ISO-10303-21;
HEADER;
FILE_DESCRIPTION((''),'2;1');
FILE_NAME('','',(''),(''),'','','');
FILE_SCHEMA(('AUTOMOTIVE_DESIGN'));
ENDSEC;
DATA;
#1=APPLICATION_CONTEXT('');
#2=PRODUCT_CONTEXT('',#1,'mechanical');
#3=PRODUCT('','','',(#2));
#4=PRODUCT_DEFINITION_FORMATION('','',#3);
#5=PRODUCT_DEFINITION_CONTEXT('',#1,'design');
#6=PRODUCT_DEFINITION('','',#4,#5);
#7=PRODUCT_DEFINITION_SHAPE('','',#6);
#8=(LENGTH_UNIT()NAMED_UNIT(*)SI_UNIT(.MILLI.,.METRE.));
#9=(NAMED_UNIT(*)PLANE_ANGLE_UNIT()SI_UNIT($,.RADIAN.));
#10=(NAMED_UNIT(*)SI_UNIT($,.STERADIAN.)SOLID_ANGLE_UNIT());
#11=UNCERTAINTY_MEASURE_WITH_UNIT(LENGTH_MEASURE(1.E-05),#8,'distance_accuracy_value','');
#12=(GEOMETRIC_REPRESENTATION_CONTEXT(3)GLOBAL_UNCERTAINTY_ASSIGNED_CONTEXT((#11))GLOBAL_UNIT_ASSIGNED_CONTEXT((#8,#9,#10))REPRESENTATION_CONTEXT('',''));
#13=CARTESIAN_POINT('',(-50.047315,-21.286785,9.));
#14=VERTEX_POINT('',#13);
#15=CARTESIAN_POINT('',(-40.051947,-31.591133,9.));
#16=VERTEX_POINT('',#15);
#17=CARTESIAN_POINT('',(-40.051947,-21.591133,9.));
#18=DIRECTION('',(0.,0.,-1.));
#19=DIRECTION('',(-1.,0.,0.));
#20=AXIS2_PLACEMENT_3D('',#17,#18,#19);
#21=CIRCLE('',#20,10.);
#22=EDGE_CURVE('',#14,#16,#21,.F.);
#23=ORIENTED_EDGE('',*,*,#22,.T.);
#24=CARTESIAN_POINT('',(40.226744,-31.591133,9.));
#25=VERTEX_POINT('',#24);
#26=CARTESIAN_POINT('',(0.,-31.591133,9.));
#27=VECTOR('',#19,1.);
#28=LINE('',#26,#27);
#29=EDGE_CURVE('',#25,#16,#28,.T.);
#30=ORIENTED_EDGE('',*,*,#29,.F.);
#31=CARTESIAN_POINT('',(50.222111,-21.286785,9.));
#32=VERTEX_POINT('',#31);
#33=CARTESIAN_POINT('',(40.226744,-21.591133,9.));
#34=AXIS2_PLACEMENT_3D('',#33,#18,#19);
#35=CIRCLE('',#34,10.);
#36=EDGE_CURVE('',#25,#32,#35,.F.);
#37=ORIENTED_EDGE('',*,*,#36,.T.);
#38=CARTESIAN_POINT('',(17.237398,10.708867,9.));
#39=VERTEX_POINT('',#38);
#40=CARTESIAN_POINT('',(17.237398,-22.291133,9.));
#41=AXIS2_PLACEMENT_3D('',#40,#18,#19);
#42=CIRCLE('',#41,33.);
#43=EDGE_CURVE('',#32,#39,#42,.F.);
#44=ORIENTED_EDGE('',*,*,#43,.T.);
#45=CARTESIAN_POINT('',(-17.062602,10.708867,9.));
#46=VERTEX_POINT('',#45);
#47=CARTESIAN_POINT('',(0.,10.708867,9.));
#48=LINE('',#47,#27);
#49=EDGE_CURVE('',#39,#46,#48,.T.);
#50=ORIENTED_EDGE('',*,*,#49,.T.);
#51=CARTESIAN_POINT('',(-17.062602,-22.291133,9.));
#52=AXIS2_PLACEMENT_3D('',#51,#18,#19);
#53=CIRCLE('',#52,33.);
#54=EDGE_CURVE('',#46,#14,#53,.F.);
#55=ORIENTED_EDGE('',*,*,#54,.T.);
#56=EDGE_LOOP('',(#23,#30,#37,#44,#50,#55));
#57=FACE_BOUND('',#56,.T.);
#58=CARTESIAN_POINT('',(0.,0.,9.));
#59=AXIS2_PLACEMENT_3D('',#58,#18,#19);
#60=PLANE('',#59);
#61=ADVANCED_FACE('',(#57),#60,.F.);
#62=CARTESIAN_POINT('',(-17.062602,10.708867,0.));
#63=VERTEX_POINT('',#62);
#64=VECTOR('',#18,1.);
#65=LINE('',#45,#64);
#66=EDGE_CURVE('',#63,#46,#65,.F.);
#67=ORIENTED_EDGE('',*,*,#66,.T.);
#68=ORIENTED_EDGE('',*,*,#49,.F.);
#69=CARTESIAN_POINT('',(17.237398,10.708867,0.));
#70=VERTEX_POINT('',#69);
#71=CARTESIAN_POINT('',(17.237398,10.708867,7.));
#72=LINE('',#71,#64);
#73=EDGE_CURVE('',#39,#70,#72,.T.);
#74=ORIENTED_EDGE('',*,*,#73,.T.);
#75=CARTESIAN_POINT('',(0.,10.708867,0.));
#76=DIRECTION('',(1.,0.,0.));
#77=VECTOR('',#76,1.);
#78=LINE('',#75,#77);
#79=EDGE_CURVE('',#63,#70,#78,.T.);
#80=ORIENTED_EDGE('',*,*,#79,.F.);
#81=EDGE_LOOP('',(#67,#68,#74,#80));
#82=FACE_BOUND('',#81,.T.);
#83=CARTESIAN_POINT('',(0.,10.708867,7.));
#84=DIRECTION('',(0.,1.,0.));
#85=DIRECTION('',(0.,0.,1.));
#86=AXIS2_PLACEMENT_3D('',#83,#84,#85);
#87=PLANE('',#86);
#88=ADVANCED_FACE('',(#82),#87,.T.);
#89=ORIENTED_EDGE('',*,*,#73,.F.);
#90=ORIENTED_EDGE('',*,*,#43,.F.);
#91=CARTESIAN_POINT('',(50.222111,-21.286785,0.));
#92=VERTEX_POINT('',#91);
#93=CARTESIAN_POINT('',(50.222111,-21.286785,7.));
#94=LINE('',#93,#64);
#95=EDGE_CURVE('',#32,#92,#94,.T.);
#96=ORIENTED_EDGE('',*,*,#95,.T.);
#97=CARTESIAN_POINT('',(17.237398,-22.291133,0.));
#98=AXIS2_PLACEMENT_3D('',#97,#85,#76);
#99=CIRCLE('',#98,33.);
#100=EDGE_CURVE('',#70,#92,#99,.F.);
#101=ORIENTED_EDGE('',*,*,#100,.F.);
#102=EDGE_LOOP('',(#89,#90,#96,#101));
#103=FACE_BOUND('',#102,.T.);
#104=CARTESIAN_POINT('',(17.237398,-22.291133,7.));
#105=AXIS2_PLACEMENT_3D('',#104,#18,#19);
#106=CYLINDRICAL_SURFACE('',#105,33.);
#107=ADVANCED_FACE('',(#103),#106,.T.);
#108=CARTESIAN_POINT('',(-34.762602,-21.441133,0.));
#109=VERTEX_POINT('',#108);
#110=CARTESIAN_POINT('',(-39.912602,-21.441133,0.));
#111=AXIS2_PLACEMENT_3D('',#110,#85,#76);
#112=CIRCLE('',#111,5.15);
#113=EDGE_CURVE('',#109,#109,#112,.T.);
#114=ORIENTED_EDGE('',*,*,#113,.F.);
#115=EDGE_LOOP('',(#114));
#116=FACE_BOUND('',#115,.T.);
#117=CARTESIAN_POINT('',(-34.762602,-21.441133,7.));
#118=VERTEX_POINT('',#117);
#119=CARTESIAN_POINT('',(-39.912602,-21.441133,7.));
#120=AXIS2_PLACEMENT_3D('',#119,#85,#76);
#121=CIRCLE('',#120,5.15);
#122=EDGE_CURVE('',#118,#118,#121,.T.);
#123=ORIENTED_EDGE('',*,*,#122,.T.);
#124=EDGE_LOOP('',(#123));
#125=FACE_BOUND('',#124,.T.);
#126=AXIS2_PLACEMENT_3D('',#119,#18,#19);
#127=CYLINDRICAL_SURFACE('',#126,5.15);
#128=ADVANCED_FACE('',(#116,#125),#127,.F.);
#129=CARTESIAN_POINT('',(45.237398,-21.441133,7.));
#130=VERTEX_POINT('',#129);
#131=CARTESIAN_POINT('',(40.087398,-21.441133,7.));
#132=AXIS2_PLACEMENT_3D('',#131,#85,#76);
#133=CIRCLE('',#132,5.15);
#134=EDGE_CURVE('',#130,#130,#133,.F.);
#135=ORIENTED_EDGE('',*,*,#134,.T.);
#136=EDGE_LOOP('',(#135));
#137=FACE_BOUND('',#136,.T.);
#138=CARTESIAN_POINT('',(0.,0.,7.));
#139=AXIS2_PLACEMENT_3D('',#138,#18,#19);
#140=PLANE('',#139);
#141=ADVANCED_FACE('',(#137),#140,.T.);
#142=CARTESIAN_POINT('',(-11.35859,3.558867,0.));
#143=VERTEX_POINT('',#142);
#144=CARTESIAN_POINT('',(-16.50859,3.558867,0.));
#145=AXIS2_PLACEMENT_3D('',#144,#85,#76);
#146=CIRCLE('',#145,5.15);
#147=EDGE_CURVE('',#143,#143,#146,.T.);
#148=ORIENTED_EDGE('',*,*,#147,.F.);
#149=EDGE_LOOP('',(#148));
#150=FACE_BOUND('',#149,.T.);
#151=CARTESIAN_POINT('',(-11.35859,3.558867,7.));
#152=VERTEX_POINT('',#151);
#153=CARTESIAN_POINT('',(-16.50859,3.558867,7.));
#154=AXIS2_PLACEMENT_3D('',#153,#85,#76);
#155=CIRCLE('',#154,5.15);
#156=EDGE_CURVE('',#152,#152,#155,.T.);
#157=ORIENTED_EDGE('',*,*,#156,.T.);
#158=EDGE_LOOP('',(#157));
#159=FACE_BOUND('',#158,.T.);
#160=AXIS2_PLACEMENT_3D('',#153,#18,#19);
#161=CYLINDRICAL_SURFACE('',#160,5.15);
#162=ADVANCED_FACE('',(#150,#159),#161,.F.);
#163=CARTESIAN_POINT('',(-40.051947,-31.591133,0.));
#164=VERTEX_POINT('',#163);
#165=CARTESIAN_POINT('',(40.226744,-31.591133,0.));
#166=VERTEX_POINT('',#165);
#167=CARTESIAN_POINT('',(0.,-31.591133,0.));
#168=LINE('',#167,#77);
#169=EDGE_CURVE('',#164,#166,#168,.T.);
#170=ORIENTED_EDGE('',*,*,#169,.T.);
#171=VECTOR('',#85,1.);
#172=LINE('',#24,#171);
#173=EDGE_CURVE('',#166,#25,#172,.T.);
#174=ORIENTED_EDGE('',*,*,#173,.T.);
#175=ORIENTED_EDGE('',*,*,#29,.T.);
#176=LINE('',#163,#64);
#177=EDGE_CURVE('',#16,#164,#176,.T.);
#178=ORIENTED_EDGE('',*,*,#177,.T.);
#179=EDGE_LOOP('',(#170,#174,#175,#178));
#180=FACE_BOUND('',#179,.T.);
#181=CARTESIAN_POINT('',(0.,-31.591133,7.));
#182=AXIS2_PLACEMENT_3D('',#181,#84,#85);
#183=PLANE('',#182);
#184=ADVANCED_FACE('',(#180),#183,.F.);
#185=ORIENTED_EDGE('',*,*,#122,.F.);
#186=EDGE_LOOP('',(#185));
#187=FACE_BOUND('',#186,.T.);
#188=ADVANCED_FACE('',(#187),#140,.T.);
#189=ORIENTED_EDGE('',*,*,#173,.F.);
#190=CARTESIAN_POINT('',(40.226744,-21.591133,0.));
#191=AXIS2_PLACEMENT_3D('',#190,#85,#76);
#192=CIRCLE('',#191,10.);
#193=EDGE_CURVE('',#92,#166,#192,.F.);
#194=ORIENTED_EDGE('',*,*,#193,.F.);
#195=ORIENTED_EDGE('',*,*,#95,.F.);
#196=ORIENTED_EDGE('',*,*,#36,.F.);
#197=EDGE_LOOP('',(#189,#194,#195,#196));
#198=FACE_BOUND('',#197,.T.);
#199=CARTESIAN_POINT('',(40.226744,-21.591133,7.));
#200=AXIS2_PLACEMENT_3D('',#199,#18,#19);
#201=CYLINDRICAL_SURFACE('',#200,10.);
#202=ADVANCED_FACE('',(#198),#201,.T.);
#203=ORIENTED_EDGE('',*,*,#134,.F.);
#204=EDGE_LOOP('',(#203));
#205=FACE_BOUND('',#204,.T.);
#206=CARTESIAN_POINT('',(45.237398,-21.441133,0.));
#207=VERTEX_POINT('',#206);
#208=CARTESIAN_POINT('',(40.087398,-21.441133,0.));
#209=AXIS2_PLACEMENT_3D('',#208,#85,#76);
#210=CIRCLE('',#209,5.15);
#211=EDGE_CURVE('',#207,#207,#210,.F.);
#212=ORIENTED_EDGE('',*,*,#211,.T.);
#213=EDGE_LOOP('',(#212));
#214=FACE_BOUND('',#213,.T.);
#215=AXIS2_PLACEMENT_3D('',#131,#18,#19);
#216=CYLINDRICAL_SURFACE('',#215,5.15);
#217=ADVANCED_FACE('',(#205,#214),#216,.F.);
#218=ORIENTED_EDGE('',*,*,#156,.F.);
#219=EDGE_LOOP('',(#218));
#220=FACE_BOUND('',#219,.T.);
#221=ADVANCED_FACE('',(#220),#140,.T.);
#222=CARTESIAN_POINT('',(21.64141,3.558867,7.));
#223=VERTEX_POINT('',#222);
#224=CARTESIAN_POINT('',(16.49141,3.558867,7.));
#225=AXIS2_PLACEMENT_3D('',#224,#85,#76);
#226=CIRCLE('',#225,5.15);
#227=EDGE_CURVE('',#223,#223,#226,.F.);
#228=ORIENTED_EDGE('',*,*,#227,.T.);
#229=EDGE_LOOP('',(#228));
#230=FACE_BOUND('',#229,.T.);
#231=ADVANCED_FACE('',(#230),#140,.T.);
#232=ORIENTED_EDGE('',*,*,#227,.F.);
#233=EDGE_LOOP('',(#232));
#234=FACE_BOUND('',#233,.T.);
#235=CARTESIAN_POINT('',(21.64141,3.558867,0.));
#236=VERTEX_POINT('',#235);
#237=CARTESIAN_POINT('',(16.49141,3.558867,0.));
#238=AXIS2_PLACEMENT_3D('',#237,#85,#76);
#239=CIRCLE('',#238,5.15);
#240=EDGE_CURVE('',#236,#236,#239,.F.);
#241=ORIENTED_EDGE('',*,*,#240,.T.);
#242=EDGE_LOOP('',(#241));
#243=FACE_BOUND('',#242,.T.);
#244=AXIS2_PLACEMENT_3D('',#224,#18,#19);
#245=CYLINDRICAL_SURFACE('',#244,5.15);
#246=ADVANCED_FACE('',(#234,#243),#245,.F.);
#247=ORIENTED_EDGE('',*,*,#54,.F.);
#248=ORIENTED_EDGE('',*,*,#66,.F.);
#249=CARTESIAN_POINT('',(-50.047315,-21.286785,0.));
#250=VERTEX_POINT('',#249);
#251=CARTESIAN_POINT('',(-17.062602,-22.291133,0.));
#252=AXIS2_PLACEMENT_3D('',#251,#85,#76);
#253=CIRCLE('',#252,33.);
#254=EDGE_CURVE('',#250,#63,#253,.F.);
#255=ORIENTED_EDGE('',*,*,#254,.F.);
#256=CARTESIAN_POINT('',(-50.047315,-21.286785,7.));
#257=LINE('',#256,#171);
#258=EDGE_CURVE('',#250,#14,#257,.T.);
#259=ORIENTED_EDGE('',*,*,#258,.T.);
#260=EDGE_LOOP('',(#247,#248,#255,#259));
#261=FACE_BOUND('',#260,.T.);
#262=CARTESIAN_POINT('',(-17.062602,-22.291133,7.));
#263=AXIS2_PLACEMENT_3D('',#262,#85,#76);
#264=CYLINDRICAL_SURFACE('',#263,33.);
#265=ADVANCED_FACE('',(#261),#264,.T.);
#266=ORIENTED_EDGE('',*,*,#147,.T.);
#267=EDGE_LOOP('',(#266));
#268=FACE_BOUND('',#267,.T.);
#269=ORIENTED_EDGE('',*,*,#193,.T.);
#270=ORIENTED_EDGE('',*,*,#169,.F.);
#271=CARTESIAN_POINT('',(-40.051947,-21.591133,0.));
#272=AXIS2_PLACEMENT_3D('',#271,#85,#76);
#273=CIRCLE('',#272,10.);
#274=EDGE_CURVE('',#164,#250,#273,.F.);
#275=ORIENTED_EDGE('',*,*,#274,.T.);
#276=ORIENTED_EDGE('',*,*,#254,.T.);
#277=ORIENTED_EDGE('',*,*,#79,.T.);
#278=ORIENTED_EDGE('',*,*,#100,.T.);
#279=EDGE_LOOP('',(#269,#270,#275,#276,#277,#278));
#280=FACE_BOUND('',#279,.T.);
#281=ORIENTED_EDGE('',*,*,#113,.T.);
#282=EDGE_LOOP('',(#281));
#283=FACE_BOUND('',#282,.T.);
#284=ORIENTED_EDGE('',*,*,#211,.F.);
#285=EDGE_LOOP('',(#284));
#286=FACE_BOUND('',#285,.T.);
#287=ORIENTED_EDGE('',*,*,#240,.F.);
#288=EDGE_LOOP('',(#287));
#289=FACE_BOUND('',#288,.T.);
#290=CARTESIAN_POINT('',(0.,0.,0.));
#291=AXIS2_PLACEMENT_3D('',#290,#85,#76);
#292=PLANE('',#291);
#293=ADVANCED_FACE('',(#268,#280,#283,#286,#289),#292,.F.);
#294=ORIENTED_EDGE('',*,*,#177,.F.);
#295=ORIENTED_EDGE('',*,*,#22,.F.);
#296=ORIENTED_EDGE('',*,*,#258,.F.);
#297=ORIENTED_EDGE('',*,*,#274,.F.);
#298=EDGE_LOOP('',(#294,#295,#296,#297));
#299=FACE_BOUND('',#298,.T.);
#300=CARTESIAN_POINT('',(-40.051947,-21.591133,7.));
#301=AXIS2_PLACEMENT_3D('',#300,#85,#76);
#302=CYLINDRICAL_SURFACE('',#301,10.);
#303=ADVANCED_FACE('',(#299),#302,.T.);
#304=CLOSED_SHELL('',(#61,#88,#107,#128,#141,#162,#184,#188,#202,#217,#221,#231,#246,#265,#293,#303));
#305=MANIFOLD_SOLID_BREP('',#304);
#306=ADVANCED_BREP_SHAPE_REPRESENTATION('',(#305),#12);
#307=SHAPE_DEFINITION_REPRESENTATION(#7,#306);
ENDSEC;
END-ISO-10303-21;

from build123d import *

# Parameters (mm, degrees)
ESBO_O1_W                = 100.3
ESBO_O1_H                = 42.3
ESBO_O1_R                = 5.15
RESSALTO_EXTRUS_O1_DEPTH = 7
RESSALTO_EXTRUS_O2_START = 7
ESBO_O1_6_W              = 100.3
ESBO_O1_6_H              = 42.3
ESBO_O1_6_R              = 5.15
RESSALTO_EXTRUS_O2_DEPTH = 2
FILETE1_R                = 33
FILETE2_R                = 10


with BuildPart() as part:
    # Esboço1 → Ressalto-extrusão1 (new body)
    with BuildSketch(Plane.XY):
        with Locations((0.087398189, -10.441132561)):
            Rectangle(ESBO_O1_W, ESBO_O1_H)
        with Locations((-16.508590221, 3.558867439)):
            Circle(ESBO_O1_R, mode=Mode.SUBTRACT)
        with Locations((16.491409779, 3.558867439)):
            Circle(ESBO_O1_R, mode=Mode.SUBTRACT)
        with Locations((-39.912601811, -21.441132561)):
            Circle(ESBO_O1_R, mode=Mode.SUBTRACT)
        with Locations((40.087398189, -21.441132561)):
            Circle(ESBO_O1_R, mode=Mode.SUBTRACT)
    extrude(amount=RESSALTO_EXTRUS_O1_DEPTH)

    # Esboço1<6> → Ressalto-extrusão2 (add)
    # profile 1 of 5: a face of its own
    with BuildSketch(Plane.XY.offset(RESSALTO_EXTRUS_O2_START)):
        with Locations((0.087398189, -10.441132561)):
            Rectangle(ESBO_O1_6_W, ESBO_O1_6_H)
        with Locations((16.491409779, 3.558867439)):
            Circle(ESBO_O1_6_R, mode=Mode.SUBTRACT)
        with Locations((-16.508590221, 3.558867439)):
            Circle(ESBO_O1_6_R, mode=Mode.SUBTRACT)
        with Locations((-39.912601811, -21.441132561)):
            Circle(ESBO_O1_6_R, mode=Mode.SUBTRACT)
        with Locations((40.087398189, -21.441132561)):
            Circle(ESBO_O1_6_R, mode=Mode.SUBTRACT)
    # profile 2 of 5: a face of its own
    with BuildSketch(Plane.XY.offset(RESSALTO_EXTRUS_O2_START)):
        with Locations((40.087398189, -21.441132561)):
            Circle(ESBO_O1_6_R)
    # profile 3 of 5: a face of its own
    with BuildSketch(Plane.XY.offset(RESSALTO_EXTRUS_O2_START)):
        with Locations((-39.912601811, -21.441132561)):
            Circle(ESBO_O1_6_R)
    # profile 4 of 5: a face of its own
    with BuildSketch(Plane.XY.offset(RESSALTO_EXTRUS_O2_START)):
        with Locations((16.491409779, 3.558867439)):
            Circle(ESBO_O1_6_R)
    # profile 5 of 5: a face of its own
    with BuildSketch(Plane.XY.offset(RESSALTO_EXTRUS_O2_START)):
        with Locations((-16.508590221, 3.558867439)):
            Circle(ESBO_O1_6_R)
    extrude(amount=RESSALTO_EXTRUS_O2_DEPTH)

    # Filete1
    filete1_edges = [part.edges().sort_by_distance(p)[0] for p in [
        (50.237398189, 10.708867439, 4.5),
        (-50.062601811, 10.708867439, 4.5),
    ]]
    fillet(filete1_edges, radius=FILETE1_R)

    # Filete2
    filete2_edges = [part.edges().sort_by_distance(p)[0] for p in [
        (50.237398189, -31.591132561, 4.5),
        (-50.062601811, -31.591132561, 4.5),
    ]]
    fillet(filete2_edges, radius=FILETE2_R)


solid = part.part
